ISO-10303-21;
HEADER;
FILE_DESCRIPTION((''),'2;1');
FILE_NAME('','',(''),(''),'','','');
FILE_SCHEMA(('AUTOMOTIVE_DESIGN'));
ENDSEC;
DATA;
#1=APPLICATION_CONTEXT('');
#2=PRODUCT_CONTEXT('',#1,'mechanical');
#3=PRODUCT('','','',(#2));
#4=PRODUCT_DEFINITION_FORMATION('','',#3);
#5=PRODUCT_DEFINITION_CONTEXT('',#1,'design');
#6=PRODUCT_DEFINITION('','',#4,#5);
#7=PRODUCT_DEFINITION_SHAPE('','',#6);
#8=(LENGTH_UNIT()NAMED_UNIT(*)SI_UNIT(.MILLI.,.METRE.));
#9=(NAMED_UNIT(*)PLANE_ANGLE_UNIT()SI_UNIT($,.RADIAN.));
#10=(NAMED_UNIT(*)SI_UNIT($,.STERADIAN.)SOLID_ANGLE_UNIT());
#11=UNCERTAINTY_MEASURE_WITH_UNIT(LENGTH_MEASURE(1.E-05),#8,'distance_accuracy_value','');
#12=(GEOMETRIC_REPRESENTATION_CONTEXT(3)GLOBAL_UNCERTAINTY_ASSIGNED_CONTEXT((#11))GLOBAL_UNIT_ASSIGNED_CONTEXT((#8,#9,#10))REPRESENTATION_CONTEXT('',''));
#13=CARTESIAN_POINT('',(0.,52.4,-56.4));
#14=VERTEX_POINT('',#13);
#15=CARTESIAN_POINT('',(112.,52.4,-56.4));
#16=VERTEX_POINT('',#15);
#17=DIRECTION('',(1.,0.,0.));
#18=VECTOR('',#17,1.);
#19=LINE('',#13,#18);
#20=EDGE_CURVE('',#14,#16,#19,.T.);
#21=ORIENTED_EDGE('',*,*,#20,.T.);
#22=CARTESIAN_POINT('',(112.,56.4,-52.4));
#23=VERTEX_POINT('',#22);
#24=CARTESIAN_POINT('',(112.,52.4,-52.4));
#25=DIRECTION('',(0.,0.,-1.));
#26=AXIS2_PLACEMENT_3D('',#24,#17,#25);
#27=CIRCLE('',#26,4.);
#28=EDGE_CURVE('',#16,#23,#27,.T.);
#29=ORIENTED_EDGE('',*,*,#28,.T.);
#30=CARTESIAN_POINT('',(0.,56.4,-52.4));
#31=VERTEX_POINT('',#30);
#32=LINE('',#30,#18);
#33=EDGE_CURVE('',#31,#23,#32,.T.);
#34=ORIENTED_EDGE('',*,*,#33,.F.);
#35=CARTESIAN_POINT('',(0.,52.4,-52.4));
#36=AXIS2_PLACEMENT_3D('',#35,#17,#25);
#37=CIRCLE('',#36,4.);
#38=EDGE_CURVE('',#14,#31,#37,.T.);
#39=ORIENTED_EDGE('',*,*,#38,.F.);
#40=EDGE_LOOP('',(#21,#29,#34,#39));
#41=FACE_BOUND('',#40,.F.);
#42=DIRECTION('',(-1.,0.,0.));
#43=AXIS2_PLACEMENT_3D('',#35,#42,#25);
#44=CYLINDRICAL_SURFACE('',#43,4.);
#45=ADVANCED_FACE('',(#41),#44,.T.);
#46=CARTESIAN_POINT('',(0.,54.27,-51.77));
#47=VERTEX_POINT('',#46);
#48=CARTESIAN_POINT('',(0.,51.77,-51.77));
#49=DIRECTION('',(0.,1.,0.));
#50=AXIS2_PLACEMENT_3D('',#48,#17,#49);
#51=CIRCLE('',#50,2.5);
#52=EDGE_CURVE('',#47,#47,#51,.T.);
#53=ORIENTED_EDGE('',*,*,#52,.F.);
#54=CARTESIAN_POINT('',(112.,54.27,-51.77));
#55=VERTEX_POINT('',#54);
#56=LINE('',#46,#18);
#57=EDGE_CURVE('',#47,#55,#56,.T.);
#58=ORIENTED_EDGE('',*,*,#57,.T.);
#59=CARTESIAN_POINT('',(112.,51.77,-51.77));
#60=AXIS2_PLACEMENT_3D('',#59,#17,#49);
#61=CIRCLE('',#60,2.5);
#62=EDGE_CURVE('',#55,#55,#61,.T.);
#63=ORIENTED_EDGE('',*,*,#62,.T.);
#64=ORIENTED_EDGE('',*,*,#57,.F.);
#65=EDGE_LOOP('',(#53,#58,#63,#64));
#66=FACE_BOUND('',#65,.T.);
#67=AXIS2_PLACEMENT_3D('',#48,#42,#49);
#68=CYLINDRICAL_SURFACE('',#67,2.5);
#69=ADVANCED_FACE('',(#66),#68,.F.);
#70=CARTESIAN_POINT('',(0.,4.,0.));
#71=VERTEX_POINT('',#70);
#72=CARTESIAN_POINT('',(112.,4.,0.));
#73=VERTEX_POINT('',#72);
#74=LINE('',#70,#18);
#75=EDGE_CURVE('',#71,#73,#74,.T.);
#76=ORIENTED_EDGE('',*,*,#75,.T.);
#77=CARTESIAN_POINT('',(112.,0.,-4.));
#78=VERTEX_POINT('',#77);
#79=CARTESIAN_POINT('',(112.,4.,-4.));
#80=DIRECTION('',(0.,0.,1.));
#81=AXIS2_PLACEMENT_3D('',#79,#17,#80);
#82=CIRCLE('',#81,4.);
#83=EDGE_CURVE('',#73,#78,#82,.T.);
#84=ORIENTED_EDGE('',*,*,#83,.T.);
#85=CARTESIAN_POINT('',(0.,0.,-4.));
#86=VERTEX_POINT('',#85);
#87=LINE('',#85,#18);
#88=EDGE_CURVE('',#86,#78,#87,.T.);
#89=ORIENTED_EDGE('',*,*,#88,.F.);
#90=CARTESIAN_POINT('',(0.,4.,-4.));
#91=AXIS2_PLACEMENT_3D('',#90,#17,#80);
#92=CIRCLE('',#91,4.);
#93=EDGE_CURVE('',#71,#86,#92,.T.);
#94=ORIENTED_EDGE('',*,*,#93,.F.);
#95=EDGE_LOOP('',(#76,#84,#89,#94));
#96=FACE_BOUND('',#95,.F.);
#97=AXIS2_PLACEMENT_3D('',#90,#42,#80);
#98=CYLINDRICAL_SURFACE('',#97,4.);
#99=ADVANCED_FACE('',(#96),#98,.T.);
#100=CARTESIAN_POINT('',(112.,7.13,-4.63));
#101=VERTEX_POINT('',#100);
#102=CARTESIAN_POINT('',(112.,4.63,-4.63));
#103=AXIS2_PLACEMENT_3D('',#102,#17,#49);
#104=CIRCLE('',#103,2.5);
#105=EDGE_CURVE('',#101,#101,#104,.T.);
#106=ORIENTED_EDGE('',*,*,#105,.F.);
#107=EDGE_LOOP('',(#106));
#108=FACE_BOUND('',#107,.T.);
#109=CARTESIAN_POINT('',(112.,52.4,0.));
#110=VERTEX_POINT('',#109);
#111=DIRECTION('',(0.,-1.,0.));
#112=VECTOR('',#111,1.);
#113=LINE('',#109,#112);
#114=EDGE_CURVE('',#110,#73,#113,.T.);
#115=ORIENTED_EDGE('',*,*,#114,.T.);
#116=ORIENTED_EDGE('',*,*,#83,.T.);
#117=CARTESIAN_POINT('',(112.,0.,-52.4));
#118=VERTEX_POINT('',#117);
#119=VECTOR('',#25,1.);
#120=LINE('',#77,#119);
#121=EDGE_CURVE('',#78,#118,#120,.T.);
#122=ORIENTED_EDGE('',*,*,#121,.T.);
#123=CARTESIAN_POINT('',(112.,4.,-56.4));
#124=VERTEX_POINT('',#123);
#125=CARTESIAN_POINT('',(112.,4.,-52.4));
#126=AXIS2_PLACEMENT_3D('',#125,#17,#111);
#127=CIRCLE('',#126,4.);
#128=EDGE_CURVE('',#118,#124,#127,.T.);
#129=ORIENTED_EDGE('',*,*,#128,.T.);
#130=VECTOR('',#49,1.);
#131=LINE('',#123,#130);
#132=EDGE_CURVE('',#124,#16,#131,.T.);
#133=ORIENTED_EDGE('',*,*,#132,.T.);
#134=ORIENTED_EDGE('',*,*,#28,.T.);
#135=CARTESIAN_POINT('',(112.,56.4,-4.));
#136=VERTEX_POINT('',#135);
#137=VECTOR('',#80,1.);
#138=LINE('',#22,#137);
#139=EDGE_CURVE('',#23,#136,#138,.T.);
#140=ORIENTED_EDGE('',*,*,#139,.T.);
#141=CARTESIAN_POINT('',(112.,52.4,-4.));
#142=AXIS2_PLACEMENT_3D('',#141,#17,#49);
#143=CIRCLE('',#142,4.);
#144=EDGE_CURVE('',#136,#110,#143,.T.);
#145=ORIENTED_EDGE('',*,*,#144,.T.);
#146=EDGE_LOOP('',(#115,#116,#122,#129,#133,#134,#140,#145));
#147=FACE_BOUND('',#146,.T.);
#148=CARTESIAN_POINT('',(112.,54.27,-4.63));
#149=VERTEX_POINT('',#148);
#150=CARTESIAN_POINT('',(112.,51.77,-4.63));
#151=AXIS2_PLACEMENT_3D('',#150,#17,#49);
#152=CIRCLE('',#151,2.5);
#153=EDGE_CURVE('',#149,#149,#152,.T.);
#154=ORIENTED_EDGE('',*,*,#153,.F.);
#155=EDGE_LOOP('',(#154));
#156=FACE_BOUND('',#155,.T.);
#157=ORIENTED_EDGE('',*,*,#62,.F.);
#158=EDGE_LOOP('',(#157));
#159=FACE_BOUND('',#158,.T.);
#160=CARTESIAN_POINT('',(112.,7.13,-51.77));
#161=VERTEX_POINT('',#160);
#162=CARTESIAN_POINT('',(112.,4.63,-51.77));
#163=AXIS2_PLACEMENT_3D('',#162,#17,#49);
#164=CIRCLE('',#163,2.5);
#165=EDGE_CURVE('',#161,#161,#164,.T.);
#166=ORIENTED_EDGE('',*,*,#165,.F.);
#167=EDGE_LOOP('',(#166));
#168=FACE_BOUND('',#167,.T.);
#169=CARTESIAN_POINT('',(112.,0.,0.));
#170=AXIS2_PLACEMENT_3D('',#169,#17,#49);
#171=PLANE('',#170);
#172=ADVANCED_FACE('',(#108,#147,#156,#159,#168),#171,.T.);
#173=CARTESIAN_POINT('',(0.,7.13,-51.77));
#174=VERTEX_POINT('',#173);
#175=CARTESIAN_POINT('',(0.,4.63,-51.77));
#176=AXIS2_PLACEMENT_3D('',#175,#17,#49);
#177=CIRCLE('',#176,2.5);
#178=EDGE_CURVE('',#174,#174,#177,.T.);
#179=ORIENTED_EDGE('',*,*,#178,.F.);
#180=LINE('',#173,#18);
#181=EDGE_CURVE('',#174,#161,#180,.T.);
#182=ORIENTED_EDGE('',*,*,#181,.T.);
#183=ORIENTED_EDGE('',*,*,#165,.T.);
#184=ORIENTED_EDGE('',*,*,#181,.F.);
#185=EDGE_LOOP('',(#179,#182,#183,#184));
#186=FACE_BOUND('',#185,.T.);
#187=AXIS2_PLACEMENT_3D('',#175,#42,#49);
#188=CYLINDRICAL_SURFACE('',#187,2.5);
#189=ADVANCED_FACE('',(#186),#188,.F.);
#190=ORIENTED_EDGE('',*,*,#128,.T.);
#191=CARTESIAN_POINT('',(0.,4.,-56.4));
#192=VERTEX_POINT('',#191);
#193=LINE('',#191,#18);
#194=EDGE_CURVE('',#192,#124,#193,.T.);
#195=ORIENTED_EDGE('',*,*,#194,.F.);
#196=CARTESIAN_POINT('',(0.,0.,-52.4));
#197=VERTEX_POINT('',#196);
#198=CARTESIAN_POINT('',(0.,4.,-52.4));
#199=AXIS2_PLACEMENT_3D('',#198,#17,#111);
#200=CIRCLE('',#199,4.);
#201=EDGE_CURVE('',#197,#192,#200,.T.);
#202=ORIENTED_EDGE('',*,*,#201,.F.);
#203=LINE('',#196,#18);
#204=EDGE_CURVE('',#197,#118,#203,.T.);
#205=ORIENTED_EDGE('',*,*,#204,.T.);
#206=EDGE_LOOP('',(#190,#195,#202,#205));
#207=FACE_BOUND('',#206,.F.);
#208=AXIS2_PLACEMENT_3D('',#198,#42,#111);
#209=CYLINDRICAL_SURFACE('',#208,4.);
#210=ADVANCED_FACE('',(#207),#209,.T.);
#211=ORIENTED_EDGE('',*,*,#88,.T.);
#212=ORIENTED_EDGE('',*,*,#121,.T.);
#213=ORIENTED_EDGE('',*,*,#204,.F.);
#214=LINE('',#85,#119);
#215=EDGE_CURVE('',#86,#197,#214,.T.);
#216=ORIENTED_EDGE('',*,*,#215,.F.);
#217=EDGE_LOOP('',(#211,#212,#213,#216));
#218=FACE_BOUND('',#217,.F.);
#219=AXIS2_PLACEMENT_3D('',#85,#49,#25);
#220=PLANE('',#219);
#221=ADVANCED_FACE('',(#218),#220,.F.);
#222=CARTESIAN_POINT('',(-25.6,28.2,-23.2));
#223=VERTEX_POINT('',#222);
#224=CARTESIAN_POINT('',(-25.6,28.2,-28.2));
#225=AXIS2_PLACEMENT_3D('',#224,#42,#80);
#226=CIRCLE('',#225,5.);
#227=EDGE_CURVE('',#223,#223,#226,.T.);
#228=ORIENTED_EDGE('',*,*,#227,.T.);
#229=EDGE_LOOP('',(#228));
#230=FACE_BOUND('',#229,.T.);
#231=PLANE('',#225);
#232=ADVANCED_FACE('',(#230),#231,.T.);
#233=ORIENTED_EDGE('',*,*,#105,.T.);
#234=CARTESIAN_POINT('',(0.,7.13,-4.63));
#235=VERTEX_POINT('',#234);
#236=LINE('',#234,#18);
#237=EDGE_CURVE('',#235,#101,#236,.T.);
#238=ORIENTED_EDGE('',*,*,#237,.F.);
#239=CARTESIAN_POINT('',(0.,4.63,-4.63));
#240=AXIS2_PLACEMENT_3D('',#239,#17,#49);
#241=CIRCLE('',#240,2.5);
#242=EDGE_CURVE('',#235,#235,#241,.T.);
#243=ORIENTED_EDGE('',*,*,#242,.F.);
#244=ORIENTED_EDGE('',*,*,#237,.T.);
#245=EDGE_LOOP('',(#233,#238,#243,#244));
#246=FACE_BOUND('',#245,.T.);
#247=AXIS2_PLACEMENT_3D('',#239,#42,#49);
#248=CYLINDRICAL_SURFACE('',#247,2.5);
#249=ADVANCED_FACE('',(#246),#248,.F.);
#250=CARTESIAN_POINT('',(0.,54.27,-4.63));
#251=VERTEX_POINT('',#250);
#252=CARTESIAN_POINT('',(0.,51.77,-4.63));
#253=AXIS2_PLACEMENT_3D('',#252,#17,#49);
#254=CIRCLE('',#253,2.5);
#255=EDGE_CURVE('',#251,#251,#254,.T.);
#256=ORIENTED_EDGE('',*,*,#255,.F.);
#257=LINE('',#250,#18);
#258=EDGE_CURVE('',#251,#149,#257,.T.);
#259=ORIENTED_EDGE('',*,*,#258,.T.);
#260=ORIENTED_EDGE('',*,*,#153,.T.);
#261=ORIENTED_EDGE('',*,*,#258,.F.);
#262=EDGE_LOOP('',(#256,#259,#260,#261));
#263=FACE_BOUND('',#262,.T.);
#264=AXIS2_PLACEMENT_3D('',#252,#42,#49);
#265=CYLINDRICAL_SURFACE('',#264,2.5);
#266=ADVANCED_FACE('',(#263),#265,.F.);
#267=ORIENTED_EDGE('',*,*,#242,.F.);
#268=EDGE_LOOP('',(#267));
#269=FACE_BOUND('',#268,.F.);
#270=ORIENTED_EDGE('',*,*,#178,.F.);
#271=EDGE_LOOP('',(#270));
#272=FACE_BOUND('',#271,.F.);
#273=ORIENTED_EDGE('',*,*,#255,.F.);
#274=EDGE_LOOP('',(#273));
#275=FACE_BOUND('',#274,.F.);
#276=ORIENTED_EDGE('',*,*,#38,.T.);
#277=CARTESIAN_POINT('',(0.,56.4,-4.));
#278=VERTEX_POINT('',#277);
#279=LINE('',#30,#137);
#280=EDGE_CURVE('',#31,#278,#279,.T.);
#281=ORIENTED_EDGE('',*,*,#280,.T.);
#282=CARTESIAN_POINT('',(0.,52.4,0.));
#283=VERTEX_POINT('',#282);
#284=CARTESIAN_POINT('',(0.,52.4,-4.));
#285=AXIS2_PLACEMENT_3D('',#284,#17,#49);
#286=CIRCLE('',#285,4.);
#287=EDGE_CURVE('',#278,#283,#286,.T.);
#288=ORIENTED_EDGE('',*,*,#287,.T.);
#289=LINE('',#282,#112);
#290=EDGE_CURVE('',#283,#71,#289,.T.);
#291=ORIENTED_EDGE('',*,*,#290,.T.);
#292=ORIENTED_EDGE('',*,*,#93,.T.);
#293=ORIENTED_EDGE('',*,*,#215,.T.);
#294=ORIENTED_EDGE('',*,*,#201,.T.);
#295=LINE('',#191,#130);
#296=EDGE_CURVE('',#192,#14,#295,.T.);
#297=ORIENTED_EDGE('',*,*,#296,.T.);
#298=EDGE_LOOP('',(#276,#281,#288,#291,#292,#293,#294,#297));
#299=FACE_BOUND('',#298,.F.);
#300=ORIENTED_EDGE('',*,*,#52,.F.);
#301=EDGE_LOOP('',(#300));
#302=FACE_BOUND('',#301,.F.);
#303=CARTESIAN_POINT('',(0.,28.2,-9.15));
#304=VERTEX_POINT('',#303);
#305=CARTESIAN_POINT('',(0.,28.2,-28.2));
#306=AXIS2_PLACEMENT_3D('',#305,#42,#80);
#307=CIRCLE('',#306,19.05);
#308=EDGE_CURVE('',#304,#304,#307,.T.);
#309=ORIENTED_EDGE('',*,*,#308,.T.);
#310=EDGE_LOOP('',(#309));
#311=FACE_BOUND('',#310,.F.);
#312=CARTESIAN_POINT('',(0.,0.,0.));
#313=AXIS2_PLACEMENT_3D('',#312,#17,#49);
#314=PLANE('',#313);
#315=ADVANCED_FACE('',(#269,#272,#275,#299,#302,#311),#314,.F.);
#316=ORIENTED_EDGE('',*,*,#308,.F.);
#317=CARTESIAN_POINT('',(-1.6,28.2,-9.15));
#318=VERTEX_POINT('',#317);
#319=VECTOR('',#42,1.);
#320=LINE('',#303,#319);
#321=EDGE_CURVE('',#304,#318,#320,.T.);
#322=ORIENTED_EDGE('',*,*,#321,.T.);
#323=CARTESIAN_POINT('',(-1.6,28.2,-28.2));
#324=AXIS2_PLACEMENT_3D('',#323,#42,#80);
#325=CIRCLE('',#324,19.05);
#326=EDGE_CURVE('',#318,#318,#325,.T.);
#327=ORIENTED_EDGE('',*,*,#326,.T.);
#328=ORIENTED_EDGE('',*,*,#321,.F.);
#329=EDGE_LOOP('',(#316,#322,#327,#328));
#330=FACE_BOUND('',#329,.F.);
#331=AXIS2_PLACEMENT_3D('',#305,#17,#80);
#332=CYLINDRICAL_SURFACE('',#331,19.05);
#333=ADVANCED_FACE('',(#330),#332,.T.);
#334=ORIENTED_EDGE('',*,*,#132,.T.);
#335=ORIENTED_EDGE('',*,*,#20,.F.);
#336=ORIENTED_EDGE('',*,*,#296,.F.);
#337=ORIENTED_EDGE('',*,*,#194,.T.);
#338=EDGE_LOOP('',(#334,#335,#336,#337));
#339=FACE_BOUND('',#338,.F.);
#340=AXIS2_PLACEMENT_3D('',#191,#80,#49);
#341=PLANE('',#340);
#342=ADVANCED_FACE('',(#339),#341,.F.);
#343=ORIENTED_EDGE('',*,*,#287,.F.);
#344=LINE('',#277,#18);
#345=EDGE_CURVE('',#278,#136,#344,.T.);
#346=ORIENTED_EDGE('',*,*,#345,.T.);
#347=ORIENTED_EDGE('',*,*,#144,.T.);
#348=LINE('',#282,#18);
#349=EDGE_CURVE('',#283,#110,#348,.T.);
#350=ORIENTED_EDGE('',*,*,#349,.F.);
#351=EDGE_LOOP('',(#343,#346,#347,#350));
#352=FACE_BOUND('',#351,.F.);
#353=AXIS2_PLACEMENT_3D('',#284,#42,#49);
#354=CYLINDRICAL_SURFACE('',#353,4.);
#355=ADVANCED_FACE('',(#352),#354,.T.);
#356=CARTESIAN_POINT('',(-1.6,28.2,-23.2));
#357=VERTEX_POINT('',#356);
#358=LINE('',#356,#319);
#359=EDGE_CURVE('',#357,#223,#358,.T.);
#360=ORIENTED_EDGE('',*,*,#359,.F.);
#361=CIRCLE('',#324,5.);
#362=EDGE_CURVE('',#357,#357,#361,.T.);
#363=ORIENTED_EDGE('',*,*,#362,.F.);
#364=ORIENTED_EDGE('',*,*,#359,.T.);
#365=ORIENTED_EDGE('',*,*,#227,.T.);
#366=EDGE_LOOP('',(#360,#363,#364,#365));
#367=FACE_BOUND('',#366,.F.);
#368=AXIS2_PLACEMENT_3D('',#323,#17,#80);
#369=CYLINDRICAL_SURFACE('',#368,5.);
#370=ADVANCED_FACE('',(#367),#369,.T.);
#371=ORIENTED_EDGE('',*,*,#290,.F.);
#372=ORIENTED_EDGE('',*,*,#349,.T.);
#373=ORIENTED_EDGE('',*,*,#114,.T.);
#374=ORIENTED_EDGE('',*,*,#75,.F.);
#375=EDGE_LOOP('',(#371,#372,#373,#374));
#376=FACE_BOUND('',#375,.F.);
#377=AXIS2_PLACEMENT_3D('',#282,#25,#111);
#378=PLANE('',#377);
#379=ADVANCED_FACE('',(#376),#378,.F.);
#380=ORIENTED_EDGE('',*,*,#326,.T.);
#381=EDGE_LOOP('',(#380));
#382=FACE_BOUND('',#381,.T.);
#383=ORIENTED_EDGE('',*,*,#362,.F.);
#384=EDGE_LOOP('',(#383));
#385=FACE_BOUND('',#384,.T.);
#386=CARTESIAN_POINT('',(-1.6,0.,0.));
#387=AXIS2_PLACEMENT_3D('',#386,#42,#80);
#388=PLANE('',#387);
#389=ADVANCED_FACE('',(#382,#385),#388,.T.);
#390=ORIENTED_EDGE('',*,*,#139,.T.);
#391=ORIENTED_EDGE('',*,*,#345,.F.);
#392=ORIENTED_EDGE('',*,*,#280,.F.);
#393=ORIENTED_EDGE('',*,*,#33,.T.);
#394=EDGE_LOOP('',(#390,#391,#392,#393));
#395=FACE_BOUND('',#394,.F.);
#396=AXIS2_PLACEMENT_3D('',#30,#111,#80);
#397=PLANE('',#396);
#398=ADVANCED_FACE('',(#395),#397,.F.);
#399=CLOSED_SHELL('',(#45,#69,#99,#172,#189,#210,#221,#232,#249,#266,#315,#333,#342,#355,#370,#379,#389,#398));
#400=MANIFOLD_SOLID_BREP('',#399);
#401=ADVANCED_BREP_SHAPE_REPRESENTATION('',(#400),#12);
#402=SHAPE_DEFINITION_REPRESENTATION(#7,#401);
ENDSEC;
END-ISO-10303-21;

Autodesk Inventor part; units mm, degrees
ref_plane "YZ Plane" through (0, 0, 0) normal (1, 0, 0) x (0, 1, 0)
ref_plane "XZ Plane" through (0, 0, 0) normal (0, 1, 0) x (-1, 0, 0)
ref_plane "XY Plane" through (0, 0, 0) normal (0, 0, 1) x (1, 0, 0)
sketch "Sketch1" plane through (0, 0, 0) normal (1, 0, 0) x (0, 1, 0)
  line L0 (52.4, 0) -> (4, 0)
  line L1 (0, -4) -> (0, -52.4)
  line L2 (4, -56.4) -> (52.4, -56.4)
  line L3 (56.4, -52.4) -> (56.4, -4)
  line L4 (51.77, -4.63) -> (4.63, -4.63) construction
  line L5 (4.63, -4.63) -> (4.63, -51.77) construction
  line L6 (4.63, -51.77) -> (51.77, -51.77) construction
  line L7 (51.77, -51.77) -> (51.77, -4.63) construction
  circle A0 centre (51.77, -4.63) radius 2.5
  circle A1 centre (51.77, -51.77) radius 2.5
  circle A2 centre (4.63, -4.63) radius 2.5
  circle A3 centre (4.63, -51.77) radius 2.5
  arc A4 (56.4, -4) -> (52.4, 0) centre (52.4, -4) ccw
  arc A5 (52.4, -56.4) -> (56.4, -52.4) centre (52.4, -52.4) ccw
  arc A6 (0, -52.4) -> (4, -56.4) centre (4, -52.4) ccw
  arc A7 (4, 0) -> (0, -4) centre (4, -4) ccw
  point P0 (0, 0)
  point P1 (56.4, 0)
  point P2 (0, 0)
  point P3 (56.4, -56.4)
  point P4 (56.4, -28.2)
  point P5 (51.77, -28.2)
  point P6 (28.2, -51.77)
  point P7 (28.2, -56.4)
  dimension "d0" = 56.4
  dimension "d1" = 47.14
  dimension "d2" = 5
  dimension "d3" = 4
  dimension "d4" = 4
  dimension "d5" = 4
  dimension "d6" = 4
extrude "Extrusion1" add sketch "Sketch1" along normal blind 112
sketch "Sketch2" plane through (0, 0, 0) normal (-1, 0, 0) x (0, 0, 1)
  circle A0 centre (-28.2, 28.2) radius 19.05
  line L0 (-52.4, 56.4) -> (-4, 56.4) projected
  line L1 (-56.4, 4) -> (-56.4, 52.4) projected
  point P0 (0, 0)
  point P1 (-28.2, 56.4)
  point P2 (-56.4, 28.2)
  dimension "d9" = 38.1
extrude "Extrusion2" add sketch "Sketch2" along normal blind 1.6
sketch "Sketch3" plane through (-1.6, 28.2, -28.2) normal (-1, 0, 0) x (0, 0, 1)
  circle A0 centre (0, 0) radius 5
  circle A1 centre (0, 0) radius 19.05 construction
  point P0 (28.2, -28.2)
  dimension "d12" = 10
extrude "Extrusion3" add sketch "Sketch3" along normal blind 24
properties part number "Nema23"
